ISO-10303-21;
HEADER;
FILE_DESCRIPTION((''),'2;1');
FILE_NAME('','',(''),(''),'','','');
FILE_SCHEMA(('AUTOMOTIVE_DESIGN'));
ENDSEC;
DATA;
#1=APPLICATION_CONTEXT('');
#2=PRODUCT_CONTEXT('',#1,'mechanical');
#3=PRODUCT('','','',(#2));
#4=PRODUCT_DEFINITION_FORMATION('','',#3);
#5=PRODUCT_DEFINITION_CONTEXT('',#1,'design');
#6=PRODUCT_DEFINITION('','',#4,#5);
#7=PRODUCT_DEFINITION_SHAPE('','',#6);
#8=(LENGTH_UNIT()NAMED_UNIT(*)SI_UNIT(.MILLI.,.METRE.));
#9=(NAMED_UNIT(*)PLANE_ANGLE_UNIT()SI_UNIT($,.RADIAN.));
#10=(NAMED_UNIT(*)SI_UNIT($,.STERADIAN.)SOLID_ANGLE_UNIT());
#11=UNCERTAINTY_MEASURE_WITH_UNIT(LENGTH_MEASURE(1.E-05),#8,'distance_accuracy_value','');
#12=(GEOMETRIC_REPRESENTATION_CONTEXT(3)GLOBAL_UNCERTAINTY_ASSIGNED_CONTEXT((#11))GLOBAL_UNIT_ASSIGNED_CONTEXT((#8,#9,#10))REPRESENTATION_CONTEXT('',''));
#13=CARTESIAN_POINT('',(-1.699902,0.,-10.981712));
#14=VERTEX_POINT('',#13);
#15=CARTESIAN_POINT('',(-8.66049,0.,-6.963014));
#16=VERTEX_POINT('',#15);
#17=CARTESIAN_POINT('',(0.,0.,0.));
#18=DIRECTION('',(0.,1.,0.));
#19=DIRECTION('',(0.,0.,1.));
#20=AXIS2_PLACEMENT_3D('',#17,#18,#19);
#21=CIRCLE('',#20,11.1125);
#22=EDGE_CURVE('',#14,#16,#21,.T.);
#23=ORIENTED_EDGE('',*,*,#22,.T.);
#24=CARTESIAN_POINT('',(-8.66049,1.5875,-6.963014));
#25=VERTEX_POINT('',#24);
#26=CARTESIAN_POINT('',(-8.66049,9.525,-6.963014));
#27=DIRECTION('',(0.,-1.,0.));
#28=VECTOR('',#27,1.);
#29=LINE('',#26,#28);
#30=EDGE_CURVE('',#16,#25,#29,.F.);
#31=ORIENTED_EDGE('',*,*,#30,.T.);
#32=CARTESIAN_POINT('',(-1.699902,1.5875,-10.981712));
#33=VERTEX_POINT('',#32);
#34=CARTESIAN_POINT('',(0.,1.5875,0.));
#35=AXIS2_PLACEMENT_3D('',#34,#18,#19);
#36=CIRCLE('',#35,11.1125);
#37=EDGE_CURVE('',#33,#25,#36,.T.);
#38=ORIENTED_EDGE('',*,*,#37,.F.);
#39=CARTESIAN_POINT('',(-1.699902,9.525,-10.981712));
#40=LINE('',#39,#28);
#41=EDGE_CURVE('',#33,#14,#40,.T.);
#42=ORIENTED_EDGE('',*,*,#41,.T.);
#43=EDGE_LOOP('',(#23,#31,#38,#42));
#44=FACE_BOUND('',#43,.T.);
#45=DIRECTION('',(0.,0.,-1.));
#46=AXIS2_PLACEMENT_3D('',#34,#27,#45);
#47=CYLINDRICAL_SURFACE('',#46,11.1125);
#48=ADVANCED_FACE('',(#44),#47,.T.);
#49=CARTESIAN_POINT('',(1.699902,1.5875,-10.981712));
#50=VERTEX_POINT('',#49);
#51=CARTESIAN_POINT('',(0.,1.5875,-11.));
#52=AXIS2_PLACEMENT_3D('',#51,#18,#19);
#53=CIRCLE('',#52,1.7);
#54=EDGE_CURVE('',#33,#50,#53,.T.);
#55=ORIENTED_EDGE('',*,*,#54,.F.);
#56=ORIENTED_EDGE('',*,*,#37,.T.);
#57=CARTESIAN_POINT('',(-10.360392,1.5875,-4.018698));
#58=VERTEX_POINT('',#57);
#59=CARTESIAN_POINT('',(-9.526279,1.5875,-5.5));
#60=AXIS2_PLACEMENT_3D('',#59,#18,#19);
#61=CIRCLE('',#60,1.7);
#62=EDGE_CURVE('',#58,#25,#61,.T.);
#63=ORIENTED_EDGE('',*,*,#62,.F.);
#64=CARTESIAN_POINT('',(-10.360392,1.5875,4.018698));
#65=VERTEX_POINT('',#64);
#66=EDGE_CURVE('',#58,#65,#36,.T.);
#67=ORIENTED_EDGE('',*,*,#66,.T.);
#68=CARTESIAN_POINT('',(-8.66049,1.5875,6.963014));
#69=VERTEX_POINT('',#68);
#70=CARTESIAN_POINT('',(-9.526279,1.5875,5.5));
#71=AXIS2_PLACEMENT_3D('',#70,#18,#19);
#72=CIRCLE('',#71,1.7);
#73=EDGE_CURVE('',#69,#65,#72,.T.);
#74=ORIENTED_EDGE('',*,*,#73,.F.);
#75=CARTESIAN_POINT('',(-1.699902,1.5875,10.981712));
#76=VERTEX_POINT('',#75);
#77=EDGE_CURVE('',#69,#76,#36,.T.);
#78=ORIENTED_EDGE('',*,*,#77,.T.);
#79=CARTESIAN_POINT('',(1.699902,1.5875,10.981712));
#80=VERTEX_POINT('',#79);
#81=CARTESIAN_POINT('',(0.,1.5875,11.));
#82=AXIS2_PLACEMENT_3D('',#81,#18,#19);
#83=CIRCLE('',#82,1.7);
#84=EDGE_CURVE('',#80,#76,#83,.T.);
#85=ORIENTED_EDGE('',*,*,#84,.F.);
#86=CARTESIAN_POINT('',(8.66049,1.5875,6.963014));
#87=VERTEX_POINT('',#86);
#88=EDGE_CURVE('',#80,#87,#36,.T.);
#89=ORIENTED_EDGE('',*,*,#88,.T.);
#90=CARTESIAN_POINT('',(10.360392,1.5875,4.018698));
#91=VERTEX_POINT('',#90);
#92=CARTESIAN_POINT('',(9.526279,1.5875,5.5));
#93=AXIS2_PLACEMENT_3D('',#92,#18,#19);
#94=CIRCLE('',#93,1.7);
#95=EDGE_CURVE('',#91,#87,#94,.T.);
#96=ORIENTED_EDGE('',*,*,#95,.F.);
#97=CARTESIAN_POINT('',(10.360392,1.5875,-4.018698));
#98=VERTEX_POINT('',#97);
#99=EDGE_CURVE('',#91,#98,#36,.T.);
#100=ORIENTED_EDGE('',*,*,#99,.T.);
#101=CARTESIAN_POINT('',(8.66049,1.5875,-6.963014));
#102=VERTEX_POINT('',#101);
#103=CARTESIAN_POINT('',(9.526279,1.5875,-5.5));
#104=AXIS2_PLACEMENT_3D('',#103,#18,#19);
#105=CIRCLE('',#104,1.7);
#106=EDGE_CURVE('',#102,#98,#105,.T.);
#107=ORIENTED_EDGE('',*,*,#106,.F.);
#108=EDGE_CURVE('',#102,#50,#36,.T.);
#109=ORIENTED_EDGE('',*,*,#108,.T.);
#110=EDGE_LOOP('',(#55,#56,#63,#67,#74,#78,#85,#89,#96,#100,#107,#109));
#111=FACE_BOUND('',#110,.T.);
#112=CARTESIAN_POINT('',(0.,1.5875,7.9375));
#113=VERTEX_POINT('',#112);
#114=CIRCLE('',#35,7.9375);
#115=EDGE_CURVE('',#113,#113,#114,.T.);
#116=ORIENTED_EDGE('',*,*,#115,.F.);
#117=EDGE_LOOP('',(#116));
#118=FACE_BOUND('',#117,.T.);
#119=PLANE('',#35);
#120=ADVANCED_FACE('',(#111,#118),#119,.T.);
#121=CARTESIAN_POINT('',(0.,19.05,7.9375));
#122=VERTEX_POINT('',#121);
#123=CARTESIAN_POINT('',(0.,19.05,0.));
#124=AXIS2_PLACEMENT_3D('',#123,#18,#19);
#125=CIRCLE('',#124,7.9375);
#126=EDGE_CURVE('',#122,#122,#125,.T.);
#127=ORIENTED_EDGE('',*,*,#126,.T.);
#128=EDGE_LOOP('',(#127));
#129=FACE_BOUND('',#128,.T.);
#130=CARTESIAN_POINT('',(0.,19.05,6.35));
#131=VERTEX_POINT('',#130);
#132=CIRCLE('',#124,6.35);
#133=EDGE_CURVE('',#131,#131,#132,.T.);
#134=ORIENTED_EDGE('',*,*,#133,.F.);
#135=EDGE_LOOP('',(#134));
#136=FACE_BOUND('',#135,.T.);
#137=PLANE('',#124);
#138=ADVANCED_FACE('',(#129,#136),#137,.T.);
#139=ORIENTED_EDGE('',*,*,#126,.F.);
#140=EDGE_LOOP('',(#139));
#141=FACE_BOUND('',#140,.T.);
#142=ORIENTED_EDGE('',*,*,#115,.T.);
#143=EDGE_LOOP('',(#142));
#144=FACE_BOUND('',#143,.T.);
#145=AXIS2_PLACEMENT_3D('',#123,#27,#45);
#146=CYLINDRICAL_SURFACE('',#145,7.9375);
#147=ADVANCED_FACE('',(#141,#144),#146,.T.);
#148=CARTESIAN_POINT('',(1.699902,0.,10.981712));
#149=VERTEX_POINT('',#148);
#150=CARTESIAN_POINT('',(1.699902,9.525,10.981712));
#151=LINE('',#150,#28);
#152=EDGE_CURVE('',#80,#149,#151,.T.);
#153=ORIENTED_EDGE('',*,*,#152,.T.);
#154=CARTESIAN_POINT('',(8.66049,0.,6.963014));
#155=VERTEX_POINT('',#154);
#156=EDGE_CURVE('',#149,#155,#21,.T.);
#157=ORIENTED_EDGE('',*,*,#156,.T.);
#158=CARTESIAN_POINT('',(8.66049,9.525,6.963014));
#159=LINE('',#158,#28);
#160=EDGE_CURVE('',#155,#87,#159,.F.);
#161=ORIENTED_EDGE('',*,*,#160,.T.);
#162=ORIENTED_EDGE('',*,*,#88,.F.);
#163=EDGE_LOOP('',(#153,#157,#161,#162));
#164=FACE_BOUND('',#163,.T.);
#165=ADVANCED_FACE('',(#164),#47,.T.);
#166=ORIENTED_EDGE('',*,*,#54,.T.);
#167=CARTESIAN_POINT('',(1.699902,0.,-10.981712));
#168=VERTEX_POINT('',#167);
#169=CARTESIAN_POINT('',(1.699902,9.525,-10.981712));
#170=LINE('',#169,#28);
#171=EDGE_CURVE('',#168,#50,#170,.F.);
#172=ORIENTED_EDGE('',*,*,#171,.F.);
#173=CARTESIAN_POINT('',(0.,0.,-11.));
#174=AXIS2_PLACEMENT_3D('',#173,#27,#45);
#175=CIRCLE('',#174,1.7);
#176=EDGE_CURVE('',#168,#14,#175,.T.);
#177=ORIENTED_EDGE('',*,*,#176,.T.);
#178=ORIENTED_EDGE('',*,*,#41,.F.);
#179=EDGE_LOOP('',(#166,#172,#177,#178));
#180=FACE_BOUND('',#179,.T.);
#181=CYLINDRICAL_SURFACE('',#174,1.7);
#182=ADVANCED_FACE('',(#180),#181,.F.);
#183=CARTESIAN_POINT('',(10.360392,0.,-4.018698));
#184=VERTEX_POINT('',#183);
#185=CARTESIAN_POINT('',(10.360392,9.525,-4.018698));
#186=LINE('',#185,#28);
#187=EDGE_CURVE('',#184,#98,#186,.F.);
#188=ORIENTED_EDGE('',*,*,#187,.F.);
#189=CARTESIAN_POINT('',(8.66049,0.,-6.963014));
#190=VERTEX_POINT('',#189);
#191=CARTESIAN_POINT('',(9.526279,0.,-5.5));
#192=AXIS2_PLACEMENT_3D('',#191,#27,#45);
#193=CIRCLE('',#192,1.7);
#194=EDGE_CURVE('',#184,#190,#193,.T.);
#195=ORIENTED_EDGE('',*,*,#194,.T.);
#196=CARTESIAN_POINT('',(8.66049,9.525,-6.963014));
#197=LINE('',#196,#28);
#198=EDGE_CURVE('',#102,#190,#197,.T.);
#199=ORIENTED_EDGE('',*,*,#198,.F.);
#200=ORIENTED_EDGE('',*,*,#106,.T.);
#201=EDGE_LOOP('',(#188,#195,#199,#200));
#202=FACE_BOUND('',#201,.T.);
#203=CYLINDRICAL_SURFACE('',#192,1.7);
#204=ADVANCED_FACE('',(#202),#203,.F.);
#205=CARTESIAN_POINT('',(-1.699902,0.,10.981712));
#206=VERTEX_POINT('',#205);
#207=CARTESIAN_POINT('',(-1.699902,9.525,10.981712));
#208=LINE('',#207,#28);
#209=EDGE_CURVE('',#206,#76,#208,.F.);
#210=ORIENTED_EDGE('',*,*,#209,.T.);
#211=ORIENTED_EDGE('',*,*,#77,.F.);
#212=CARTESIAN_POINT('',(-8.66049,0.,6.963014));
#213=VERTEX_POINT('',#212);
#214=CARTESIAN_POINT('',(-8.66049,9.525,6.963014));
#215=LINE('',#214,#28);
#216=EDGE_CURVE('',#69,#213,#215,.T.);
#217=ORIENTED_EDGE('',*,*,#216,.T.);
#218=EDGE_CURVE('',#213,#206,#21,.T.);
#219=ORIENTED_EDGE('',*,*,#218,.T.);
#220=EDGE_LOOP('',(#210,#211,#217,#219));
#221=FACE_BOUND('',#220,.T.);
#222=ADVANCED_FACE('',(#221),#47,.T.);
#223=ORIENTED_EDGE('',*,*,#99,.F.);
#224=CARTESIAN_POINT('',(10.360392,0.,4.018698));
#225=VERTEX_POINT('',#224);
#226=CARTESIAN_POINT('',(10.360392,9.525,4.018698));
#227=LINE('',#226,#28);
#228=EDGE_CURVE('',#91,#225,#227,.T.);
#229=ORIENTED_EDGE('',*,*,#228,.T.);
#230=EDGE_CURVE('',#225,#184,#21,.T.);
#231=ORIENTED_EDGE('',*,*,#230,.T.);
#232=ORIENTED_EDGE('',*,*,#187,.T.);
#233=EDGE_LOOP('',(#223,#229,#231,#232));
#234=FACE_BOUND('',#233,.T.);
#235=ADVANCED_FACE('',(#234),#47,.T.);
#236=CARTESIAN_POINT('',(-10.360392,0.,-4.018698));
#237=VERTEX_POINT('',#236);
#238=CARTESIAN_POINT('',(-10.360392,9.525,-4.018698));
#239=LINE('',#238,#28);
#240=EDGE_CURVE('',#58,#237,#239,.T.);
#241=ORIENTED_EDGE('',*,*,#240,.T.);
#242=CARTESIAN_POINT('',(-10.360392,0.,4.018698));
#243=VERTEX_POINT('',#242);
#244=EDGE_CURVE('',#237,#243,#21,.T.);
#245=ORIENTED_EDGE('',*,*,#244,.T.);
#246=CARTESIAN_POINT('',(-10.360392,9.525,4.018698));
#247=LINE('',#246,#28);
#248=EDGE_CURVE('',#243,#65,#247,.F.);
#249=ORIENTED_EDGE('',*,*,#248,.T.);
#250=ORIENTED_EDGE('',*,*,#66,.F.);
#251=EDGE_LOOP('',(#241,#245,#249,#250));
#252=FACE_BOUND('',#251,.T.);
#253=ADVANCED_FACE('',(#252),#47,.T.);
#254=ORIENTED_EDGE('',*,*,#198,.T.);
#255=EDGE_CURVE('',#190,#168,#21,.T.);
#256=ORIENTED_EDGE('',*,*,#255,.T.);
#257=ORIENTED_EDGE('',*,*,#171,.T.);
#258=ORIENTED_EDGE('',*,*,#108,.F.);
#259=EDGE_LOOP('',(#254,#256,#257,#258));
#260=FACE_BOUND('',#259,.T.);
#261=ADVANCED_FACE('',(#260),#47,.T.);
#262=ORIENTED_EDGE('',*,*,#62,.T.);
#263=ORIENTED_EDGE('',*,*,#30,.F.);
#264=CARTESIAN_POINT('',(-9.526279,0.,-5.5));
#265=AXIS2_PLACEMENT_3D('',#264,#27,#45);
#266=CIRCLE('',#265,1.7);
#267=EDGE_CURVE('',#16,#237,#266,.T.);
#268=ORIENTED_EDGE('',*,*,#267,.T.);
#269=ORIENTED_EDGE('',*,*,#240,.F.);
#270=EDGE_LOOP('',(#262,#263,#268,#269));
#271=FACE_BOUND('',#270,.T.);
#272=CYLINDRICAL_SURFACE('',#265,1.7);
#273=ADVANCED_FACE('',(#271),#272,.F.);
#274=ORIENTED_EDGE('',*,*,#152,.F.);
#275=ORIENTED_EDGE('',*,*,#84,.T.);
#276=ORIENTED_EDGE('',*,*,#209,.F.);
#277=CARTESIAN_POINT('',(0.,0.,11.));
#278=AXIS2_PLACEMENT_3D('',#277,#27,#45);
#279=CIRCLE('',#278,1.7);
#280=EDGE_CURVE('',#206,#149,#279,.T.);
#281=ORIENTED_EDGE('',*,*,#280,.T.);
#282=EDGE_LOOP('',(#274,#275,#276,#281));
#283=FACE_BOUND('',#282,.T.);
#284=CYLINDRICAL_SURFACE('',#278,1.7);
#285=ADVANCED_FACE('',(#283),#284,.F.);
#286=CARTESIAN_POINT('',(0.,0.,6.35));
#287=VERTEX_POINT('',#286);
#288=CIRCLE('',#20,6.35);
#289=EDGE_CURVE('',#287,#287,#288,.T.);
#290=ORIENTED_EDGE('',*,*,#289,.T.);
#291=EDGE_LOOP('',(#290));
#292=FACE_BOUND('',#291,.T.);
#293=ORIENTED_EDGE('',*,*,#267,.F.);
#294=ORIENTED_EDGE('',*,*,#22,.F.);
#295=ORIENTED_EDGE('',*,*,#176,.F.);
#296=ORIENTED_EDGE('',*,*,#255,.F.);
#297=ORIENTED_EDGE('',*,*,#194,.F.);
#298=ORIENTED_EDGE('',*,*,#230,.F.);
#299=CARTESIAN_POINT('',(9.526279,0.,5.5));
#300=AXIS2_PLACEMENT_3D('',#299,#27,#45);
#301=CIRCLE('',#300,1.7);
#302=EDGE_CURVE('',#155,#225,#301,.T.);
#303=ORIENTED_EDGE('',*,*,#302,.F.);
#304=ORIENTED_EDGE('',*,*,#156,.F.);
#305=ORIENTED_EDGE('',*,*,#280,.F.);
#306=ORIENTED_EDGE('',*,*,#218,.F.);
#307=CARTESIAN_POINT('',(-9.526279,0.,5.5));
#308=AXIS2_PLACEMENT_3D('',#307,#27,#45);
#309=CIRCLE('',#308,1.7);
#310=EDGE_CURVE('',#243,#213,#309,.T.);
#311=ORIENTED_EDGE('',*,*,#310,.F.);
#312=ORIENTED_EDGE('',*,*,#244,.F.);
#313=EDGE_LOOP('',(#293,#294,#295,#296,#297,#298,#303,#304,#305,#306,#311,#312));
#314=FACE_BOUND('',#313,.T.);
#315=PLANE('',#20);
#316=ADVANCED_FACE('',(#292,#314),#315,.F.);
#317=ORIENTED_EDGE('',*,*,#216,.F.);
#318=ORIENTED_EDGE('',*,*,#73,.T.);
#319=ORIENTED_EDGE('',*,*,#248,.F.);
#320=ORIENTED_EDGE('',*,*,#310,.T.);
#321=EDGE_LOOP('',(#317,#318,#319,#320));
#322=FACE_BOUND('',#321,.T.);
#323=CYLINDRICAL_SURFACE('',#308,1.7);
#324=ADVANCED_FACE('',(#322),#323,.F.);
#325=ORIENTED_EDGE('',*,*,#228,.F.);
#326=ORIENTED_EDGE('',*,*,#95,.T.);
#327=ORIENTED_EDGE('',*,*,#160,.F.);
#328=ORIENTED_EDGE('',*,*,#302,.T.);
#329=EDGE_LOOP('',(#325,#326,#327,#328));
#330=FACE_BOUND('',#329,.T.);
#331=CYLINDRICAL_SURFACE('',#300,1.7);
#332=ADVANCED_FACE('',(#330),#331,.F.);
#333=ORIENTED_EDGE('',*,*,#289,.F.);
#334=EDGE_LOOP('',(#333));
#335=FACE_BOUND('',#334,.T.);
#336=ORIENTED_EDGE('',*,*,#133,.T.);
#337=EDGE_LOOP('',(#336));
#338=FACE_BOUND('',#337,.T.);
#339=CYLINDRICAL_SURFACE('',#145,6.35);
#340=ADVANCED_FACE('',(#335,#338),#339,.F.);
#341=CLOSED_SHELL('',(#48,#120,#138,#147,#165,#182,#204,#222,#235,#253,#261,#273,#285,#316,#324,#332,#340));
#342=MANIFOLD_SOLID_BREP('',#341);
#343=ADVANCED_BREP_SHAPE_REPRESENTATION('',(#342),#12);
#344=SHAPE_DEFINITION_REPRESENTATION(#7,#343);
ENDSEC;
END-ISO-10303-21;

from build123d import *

# Parameters (mm, degrees)
SKETCH2_R            = 7.9375
SKETCH2_R_2          = 6.35
BOSS_EXTRUDE1_DEPTH  = 19.05
SKETCH3_R            = 11.1125
SKETCH3_R_2          = 7.9375
BOSS_EXTRUDE2_DEPTH  = 1.5875
M3_CLEARANCE_HOLE1_D = 3.4
CIRPATTERN1_COUNT    = 6


with BuildPart() as part:
    # Sketch2 → Boss-Extrude1 (new body)
    with BuildSketch(Plane(origin=(0, 0, 0), x_dir=(1, 0, 0), z_dir=(0, 1, 0))):
        Circle(SKETCH2_R)
        Circle(SKETCH2_R_2, mode=Mode.SUBTRACT)
    extrude(amount=BOSS_EXTRUDE1_DEPTH)

    # Sketch3 → Boss-Extrude2 (add)
    with BuildSketch(Plane(origin=(0, 0, 0), x_dir=(1, 0, 0), z_dir=(0, 1, 0))):
        Circle(SKETCH3_R)
        Circle(SKETCH3_R_2, mode=Mode.SUBTRACT)
    extrude(amount=BOSS_EXTRUDE2_DEPTH)

    # M3 Clearance Hole1 (through all)
    with Locations(Plane(origin=(0, 0, 0), x_dir=(-1, 0, 0), z_dir=(0, -1, 0))):
        with Locations((0, -11)):
            m3_clearance_hole1 = Hole(M3_CLEARANCE_HOLE1_D / 2)

    # CirPattern1: M3 Clearance Hole1 ×6 about axis
    cirpattern1_axis = Axis((0, 0, 0), (0, 1, 0))
    for i in range(1, CIRPATTERN1_COUNT):
        add(m3_clearance_hole1.rotate(cirpattern1_axis, i * 360 / CIRPATTERN1_COUNT), mode=Mode.SUBTRACT)


solid = part.part
